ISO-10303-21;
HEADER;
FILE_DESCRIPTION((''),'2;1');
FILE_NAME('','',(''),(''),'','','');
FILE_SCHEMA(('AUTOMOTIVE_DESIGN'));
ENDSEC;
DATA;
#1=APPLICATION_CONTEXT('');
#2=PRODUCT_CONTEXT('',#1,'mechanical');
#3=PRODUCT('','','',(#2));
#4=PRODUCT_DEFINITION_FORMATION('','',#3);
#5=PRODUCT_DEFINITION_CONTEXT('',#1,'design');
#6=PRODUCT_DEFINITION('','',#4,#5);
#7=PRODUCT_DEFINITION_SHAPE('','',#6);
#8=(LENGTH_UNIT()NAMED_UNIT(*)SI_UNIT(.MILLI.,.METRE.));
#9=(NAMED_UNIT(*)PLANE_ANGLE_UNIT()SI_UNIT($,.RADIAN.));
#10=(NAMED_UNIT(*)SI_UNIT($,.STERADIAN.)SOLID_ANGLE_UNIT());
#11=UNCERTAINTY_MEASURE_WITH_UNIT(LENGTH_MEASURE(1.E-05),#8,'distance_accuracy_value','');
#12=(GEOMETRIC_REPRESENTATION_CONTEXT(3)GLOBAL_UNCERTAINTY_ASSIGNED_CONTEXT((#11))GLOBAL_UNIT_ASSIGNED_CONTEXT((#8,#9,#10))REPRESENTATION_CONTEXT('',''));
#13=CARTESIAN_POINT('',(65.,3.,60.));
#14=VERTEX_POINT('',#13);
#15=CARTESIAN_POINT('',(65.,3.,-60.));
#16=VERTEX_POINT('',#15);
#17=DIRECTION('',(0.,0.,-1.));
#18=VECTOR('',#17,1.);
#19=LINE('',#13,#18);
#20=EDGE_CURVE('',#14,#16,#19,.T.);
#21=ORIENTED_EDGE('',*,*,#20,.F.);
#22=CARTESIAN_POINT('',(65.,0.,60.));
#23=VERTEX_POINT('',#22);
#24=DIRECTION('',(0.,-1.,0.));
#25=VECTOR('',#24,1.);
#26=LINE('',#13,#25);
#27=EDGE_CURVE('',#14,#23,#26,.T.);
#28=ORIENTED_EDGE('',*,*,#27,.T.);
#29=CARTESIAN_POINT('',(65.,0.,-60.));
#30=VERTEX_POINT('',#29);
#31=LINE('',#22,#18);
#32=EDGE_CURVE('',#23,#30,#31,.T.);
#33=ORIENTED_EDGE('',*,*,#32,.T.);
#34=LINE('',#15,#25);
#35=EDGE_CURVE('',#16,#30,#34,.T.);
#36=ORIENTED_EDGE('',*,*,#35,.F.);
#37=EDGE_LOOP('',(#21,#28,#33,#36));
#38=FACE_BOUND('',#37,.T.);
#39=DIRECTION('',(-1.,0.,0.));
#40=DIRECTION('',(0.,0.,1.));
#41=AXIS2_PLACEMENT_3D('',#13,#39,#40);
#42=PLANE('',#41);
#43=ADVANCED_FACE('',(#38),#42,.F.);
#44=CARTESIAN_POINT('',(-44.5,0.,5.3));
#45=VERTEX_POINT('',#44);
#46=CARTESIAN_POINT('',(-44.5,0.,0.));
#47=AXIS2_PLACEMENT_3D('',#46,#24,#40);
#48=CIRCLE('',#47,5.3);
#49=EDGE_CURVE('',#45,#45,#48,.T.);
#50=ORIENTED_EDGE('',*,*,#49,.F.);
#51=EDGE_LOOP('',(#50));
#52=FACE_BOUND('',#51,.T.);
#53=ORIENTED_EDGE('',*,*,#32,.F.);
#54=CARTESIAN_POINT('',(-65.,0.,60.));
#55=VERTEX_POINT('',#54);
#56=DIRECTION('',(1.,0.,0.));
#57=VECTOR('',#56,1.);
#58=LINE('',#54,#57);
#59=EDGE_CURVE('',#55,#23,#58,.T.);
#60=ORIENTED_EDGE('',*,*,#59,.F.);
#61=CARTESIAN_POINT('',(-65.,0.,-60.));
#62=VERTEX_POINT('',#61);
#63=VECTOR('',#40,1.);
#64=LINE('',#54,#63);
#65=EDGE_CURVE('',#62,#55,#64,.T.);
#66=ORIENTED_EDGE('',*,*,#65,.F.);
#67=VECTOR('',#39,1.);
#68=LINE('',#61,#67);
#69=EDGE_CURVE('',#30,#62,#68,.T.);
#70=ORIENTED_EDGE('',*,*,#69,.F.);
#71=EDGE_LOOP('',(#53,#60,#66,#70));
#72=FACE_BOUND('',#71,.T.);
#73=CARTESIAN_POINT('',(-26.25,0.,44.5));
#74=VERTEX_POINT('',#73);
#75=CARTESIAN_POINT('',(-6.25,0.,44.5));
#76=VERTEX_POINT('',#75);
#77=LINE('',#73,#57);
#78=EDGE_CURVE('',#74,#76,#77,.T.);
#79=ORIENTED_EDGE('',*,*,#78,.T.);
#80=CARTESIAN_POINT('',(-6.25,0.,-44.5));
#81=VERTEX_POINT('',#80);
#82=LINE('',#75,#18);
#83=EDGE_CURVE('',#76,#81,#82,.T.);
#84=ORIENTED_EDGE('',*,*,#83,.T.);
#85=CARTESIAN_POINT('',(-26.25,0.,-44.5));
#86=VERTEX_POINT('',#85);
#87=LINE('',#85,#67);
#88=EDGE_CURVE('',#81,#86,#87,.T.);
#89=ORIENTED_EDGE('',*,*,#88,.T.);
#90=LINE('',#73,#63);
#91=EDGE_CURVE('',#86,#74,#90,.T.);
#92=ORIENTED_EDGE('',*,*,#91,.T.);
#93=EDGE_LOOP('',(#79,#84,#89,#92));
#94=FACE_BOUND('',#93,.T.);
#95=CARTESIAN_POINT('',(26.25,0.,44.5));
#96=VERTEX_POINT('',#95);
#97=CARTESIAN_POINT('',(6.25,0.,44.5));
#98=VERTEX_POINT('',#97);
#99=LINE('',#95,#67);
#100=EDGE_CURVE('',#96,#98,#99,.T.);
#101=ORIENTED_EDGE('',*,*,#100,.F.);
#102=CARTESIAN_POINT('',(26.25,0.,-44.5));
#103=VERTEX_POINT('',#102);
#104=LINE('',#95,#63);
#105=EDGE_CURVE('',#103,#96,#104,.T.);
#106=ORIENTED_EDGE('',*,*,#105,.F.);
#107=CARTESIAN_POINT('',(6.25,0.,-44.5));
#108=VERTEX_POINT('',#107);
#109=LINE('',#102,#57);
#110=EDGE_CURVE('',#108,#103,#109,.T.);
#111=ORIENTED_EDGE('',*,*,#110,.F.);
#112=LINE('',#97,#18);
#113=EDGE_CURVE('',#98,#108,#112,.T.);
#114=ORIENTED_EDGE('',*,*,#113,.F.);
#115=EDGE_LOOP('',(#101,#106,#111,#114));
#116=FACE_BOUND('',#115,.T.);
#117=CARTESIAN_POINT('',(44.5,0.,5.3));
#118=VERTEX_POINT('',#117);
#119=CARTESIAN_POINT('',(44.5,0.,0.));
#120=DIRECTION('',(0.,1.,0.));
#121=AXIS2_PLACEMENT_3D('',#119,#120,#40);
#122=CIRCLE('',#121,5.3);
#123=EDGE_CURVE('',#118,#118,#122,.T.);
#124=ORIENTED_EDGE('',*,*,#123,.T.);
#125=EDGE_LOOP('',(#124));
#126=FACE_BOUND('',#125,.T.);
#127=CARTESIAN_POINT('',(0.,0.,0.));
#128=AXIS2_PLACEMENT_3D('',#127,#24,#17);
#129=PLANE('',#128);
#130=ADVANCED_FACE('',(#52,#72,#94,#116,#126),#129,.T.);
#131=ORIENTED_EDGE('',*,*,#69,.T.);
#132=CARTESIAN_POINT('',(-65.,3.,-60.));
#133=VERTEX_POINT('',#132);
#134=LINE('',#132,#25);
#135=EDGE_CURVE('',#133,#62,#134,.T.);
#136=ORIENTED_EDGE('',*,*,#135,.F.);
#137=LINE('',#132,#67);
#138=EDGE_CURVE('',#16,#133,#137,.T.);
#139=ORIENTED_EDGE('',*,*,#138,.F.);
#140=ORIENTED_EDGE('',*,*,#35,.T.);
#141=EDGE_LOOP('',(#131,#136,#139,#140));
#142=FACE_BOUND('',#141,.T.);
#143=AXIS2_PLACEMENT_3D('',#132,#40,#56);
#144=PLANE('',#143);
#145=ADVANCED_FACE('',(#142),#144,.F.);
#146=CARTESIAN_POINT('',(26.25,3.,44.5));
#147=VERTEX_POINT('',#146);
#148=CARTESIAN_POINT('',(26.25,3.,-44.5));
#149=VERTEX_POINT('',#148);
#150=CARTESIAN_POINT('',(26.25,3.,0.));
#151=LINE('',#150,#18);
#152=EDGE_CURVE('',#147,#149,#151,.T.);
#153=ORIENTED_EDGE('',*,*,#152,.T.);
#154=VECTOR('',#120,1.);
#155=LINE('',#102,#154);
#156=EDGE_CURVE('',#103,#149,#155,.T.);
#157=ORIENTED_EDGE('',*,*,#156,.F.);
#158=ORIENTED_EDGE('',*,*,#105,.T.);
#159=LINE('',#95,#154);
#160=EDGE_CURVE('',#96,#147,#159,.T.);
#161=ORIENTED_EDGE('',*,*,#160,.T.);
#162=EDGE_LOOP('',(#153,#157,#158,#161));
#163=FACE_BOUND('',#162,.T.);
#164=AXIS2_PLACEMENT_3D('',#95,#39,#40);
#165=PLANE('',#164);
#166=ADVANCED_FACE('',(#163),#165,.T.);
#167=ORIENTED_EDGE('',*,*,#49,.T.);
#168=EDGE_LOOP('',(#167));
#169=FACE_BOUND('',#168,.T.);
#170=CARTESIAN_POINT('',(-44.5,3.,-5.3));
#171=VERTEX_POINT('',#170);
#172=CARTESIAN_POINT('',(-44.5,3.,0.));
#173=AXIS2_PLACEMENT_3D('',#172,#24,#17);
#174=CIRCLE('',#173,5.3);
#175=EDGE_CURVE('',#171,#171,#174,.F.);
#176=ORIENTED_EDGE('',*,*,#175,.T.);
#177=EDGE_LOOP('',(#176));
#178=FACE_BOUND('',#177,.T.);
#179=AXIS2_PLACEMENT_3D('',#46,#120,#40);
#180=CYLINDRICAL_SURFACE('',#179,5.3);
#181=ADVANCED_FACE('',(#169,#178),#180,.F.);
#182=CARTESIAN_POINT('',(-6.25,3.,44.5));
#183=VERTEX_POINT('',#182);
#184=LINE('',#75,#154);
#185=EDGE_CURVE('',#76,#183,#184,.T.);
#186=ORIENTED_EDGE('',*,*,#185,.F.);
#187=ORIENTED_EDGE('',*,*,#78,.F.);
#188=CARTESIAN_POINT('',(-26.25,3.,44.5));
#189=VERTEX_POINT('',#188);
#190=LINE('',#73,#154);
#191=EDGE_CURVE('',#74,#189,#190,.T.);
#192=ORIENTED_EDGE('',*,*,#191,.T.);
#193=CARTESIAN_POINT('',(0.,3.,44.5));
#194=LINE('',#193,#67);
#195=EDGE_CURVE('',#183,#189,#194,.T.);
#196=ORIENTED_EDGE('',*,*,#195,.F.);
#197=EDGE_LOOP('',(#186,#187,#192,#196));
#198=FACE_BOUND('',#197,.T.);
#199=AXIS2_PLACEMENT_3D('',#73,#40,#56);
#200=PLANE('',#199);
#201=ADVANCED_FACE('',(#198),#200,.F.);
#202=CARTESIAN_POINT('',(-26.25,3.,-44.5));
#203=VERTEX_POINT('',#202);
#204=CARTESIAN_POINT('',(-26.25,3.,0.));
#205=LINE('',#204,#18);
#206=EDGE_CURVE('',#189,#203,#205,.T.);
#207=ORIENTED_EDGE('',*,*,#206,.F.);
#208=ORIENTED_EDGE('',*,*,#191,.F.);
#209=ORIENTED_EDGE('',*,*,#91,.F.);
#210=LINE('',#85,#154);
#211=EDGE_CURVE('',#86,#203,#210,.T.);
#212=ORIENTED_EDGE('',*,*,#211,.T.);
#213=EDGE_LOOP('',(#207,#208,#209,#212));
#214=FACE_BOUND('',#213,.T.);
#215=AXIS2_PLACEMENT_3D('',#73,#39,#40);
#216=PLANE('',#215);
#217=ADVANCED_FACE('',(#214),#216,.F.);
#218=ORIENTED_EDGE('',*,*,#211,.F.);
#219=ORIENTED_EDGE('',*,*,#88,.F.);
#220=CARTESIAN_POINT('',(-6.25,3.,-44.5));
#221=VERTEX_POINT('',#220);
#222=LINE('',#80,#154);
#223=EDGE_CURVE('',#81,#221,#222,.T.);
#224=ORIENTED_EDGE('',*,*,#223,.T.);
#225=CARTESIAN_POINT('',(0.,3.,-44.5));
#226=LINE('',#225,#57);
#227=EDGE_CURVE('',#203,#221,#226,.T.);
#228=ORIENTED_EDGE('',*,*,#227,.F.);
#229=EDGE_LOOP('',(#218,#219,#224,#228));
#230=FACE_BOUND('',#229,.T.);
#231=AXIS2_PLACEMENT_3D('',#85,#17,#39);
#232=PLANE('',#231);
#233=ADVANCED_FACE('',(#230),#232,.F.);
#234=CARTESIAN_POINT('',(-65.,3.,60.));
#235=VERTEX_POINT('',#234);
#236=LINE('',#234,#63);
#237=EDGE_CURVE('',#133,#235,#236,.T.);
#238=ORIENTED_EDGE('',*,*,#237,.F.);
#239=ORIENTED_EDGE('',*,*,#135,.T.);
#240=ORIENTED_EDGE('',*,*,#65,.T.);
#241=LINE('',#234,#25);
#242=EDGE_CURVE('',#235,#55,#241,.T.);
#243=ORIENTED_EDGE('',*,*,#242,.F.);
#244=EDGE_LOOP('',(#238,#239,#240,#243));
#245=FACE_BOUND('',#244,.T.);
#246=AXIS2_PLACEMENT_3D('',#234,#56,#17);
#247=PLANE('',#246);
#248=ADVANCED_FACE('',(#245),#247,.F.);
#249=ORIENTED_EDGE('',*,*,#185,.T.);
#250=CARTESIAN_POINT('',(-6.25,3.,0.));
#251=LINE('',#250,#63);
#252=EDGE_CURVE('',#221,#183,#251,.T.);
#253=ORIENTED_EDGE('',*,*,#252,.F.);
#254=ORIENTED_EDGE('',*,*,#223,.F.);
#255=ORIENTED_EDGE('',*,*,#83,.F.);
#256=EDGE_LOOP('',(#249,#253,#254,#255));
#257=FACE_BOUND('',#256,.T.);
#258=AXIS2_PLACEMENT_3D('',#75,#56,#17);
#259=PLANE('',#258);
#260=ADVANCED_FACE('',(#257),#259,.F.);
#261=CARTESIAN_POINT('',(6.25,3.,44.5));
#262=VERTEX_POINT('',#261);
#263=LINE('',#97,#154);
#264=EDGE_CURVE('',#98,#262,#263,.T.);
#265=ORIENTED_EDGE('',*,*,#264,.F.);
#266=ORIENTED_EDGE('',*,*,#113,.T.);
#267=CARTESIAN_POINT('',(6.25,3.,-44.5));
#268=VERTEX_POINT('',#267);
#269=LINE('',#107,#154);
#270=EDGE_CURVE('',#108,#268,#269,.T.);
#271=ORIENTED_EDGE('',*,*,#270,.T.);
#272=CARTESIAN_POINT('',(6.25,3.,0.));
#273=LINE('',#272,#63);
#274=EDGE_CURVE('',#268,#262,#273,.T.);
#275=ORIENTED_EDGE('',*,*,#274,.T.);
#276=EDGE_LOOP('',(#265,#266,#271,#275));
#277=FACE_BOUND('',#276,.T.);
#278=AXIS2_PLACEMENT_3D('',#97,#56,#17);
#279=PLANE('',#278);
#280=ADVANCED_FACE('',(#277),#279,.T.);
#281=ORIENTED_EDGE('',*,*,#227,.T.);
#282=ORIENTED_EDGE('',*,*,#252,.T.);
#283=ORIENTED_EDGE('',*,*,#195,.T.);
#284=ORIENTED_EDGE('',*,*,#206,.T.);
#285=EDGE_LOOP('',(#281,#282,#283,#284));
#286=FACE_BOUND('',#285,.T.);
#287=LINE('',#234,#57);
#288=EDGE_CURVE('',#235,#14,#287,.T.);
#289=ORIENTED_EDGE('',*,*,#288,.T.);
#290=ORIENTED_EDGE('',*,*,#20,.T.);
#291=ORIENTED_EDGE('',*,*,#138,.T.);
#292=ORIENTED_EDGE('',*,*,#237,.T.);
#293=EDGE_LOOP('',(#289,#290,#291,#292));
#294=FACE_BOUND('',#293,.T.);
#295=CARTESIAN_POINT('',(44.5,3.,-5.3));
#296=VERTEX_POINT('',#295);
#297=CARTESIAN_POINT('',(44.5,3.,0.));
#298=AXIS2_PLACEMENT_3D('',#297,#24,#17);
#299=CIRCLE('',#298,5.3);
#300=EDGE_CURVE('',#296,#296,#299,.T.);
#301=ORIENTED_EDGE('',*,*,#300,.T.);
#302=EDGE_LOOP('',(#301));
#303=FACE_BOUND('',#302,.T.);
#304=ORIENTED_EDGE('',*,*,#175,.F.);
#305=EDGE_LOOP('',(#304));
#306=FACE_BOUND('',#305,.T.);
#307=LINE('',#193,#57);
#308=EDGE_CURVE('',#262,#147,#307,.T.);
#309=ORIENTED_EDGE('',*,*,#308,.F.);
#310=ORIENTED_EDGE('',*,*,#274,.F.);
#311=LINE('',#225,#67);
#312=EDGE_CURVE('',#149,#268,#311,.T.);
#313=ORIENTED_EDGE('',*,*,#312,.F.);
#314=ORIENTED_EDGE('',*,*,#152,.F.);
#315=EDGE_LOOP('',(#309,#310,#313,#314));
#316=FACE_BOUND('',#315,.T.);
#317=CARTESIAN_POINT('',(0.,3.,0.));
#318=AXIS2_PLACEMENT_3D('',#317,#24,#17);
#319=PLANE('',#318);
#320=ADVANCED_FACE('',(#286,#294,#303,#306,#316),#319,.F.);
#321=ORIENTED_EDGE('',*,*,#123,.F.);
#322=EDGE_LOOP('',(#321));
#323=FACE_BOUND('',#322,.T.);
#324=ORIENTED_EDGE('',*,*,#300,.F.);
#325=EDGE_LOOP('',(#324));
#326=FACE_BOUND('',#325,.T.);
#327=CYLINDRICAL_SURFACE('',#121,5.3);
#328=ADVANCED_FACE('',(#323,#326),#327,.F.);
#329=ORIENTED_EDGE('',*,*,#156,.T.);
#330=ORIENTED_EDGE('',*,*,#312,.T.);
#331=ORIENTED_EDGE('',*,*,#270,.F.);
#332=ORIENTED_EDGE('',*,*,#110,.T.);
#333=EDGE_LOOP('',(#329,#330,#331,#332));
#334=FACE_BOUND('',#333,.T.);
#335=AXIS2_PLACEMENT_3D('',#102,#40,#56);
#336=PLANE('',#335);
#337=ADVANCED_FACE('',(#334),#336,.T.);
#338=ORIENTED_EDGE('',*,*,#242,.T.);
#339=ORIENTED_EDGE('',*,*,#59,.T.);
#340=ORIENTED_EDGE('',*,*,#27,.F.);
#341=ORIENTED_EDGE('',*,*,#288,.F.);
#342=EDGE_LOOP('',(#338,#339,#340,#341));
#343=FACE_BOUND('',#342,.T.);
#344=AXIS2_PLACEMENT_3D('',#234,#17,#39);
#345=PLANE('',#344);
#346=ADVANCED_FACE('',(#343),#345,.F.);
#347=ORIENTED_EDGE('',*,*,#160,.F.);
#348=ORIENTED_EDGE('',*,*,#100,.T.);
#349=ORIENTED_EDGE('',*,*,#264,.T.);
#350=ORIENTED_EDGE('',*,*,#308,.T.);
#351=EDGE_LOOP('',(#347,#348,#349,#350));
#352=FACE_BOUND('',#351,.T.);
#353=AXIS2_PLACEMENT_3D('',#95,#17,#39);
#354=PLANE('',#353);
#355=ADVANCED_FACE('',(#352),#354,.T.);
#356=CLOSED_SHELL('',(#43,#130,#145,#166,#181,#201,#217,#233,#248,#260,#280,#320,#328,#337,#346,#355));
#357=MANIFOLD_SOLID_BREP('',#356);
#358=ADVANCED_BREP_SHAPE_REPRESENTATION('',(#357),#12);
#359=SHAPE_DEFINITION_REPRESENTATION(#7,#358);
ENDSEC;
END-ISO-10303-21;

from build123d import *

# Parameters (mm, degrees)
SKETCH1_W           = 130
SKETCH1_H           = 120
BOSS_EXTRUDE1_DEPTH = 3
CUT_EXTRUDE1_START  = -4
SKETCH2_W           = 20
SKETCH2_H           = 89
CUT_EXTRUDE1_DEPTH  = 5
CUT_EXTRUDE2_START  = -4
SKETCH3_R           = 5.3
CUT_EXTRUDE2_DEPTH  = 5


with BuildPart() as part:
    # Sketch1 → Boss-Extrude1 (new body)
    with BuildSketch(Plane(origin=(0, 0, 0), x_dir=(1, 0, 0), z_dir=(0, 1, 0))):
        Rectangle(SKETCH1_W, SKETCH1_H)
    extrude(amount=BOSS_EXTRUDE1_DEPTH)

    # Sketch2 → Cut-Extrude1 (cut)
    with BuildSketch(Plane(origin=(0, 3, 0), x_dir=(1, 0, 0), z_dir=(0, 1, 0)).offset(CUT_EXTRUDE1_START)):
        with Locations((-16.25, 0)):
            Rectangle(SKETCH2_W, SKETCH2_H)
    cut_extrude1 = extrude(amount=CUT_EXTRUDE1_DEPTH, mode=Mode.SUBTRACT)

    # Mirror1: Cut-Extrude1 across plane
    add(cut_extrude1.mirror(Plane(origin=(0, 0, 0), x_dir=(0, 0, 1), z_dir=(1, 0, 0))), mode=Mode.SUBTRACT)

    # Sketch3 → Cut-Extrude2 (cut)
    with BuildSketch(Plane(origin=(0, 3, 0), x_dir=(1, 0, 0), z_dir=(0, 1, 0)).offset(CUT_EXTRUDE2_START)):
        with Locations((44.5, 0)):
            Circle(SKETCH3_R)
    cut_extrude2 = extrude(amount=CUT_EXTRUDE2_DEPTH, mode=Mode.SUBTRACT)

    # Mirror2: Cut-Extrude2 across plane
    add(cut_extrude2.mirror(Plane(origin=(0, 0, 0), x_dir=(0, 0, 1), z_dir=(1, 0, 0))), mode=Mode.SUBTRACT)


solid = part.part
